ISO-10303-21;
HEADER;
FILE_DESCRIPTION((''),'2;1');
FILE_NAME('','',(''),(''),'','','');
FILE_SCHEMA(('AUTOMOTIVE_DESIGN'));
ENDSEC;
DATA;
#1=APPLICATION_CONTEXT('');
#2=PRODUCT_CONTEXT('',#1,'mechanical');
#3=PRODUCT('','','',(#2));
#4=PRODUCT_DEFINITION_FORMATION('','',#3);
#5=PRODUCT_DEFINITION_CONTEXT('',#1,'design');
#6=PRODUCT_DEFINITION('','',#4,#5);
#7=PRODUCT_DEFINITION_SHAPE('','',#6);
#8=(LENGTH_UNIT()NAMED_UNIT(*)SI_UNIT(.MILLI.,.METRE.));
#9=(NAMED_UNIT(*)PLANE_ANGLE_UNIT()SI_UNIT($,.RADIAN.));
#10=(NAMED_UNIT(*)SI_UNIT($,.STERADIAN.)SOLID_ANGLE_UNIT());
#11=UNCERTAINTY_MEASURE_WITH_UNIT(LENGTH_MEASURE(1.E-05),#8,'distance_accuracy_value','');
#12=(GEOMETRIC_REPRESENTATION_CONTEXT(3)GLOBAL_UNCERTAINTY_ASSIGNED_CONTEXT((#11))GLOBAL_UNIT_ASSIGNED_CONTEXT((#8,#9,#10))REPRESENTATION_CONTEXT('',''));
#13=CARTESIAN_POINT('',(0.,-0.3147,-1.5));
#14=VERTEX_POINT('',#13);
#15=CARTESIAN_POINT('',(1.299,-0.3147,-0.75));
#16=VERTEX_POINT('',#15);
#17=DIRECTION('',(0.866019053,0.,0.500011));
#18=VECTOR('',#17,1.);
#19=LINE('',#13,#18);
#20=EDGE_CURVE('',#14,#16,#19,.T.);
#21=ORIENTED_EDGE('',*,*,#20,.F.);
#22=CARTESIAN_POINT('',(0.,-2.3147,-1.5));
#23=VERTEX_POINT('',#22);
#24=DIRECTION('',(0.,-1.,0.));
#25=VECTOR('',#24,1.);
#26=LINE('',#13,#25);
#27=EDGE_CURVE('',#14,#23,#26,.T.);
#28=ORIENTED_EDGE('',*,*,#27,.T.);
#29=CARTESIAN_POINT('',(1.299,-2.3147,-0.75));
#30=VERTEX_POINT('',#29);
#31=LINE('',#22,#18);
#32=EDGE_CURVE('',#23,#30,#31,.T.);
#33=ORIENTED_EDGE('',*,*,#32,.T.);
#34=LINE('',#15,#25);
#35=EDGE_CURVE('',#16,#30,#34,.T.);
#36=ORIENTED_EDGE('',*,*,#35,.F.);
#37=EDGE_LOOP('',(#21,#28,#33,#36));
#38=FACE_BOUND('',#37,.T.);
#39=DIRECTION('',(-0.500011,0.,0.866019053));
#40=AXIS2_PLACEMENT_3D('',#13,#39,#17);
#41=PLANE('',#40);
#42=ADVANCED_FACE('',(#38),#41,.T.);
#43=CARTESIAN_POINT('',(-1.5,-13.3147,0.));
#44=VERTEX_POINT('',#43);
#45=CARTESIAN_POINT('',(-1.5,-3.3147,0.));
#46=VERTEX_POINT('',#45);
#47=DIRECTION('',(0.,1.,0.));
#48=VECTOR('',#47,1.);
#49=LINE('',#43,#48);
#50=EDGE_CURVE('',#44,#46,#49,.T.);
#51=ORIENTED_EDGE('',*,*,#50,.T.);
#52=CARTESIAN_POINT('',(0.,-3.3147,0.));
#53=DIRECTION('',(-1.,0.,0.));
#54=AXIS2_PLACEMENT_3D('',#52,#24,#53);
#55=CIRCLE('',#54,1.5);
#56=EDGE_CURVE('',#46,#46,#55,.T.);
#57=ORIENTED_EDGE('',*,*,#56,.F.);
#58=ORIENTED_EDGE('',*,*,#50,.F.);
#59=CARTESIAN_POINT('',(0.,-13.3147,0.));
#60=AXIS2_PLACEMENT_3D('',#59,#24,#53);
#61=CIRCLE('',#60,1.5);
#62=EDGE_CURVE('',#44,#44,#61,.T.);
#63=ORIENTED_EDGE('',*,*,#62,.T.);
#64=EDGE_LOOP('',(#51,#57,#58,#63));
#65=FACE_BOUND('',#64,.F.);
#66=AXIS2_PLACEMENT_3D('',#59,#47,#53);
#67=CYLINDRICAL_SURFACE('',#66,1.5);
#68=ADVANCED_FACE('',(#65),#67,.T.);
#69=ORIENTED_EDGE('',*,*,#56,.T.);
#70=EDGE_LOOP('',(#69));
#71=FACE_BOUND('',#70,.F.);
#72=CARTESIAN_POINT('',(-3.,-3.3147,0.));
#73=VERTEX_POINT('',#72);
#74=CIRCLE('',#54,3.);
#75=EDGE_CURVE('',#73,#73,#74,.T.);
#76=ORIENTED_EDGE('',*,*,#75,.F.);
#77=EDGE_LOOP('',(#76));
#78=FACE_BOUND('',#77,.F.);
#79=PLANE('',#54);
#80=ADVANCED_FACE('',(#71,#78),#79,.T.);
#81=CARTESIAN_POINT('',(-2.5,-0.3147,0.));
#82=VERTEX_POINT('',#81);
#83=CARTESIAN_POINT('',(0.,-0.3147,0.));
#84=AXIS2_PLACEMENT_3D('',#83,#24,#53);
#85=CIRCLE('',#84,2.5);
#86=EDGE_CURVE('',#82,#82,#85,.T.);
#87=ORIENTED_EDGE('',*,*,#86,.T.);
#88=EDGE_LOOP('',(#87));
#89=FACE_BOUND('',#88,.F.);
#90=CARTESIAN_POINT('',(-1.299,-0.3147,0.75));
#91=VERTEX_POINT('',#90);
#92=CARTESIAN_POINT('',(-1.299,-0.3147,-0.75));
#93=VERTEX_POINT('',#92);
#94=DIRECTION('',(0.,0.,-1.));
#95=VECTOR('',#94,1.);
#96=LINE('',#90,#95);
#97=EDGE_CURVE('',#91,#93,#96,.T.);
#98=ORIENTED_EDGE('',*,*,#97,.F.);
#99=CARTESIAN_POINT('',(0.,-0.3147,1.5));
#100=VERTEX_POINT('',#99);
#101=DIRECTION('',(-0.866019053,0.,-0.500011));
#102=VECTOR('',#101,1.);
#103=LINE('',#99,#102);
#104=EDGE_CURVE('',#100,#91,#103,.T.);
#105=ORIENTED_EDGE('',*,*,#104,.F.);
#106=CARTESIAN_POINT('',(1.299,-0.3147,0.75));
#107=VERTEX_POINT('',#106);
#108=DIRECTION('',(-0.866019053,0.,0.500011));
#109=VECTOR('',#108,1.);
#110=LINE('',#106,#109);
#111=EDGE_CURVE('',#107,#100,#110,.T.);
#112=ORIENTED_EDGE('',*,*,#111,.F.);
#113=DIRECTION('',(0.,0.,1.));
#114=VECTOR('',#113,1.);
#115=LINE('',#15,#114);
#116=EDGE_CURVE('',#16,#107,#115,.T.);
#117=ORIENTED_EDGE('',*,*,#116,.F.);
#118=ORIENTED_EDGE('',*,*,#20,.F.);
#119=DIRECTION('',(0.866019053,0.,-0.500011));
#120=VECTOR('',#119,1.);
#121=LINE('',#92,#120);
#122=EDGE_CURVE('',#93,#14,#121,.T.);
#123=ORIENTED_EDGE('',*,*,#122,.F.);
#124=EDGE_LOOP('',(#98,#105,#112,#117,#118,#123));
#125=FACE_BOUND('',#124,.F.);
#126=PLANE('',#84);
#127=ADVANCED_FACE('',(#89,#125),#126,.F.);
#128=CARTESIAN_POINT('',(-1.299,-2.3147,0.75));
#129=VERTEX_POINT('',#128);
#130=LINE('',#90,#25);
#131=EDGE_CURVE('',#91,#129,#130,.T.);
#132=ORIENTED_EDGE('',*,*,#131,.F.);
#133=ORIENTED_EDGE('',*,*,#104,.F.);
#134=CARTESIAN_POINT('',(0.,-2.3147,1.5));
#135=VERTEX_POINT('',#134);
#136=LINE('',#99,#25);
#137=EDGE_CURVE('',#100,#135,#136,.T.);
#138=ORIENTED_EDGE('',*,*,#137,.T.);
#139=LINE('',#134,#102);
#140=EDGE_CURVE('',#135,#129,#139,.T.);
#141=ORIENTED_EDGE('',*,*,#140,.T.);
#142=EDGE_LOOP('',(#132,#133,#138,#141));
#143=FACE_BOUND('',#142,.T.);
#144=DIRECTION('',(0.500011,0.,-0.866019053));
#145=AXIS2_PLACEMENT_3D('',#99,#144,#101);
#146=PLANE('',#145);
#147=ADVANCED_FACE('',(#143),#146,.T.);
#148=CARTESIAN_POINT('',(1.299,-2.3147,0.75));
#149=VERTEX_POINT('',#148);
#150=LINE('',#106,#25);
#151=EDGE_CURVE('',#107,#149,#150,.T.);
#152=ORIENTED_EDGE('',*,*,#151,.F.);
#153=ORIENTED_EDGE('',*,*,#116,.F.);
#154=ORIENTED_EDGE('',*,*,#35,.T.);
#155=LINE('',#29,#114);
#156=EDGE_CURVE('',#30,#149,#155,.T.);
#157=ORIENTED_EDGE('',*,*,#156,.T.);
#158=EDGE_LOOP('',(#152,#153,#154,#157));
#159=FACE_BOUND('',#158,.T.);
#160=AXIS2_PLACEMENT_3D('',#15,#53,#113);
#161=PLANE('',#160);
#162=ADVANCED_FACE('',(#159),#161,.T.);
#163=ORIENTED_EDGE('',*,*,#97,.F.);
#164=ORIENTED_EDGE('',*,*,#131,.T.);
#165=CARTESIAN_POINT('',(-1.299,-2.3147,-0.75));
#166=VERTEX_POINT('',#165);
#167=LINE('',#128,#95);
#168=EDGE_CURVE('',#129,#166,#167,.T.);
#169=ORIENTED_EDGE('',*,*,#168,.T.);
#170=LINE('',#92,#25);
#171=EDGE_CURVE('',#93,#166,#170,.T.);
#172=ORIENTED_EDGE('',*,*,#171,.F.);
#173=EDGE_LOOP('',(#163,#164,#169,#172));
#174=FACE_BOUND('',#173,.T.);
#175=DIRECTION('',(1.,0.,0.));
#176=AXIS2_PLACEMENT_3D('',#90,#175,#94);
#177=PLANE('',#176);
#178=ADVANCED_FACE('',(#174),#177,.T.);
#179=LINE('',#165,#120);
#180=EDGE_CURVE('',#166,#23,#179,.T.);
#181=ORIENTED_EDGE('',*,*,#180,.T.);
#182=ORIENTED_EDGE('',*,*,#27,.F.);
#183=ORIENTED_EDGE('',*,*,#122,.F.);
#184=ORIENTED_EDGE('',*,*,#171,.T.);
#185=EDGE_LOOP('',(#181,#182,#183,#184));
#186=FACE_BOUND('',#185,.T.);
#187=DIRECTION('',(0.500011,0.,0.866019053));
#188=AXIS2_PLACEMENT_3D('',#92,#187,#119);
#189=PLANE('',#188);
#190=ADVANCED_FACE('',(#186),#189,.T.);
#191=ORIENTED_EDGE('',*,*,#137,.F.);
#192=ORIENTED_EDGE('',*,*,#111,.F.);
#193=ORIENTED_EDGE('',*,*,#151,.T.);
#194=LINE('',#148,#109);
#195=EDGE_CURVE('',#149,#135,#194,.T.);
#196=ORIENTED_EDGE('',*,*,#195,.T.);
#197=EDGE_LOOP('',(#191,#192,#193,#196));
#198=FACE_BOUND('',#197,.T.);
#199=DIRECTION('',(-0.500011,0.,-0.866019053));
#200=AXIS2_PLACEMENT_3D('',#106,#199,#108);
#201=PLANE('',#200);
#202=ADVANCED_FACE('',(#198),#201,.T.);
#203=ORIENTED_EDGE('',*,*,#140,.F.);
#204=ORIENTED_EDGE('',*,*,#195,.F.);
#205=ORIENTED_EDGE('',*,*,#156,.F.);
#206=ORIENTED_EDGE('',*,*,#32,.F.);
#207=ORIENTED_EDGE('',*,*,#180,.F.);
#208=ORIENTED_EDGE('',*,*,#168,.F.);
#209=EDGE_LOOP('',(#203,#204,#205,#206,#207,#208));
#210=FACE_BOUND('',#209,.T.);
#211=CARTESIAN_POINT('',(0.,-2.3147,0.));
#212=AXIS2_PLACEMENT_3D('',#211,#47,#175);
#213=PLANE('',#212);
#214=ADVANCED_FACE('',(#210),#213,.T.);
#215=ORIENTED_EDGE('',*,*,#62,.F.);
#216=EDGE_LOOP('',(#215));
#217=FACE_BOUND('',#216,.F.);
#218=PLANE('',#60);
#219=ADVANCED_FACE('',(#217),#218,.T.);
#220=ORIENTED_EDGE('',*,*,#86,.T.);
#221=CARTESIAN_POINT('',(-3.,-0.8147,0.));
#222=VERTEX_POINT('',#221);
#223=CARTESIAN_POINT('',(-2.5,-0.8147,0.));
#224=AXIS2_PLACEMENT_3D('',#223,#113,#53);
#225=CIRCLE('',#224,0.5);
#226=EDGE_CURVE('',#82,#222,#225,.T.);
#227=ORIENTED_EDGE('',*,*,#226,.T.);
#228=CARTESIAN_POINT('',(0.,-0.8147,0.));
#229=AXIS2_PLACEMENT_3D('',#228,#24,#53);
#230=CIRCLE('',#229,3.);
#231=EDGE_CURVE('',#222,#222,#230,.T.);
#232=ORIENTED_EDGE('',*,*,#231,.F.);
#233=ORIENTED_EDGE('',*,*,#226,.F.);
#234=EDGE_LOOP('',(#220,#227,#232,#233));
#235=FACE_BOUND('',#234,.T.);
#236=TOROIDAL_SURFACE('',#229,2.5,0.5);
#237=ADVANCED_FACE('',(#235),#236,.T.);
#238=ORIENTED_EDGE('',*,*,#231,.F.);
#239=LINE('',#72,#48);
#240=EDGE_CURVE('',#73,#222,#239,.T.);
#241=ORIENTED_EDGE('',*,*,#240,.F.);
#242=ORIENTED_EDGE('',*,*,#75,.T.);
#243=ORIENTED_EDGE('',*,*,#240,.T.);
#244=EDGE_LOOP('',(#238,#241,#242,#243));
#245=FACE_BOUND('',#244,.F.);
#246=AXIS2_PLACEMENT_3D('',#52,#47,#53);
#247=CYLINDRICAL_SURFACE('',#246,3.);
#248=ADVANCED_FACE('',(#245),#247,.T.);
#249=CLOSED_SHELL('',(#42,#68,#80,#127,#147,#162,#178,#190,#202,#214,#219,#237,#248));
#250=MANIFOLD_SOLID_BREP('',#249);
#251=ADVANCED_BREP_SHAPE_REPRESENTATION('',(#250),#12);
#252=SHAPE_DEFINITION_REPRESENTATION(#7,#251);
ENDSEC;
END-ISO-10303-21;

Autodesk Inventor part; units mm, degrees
ref_plane "YZ Plane" through (0, 0, 0) normal (1, 0, 0) x (0, 1, 0)
ref_plane "XZ Plane" through (0, 0, 0) normal (0, 1, 0) x (-1, 0, 0)
ref_plane "XY Plane" through (0, 0, 0) normal (0, 0, 1) x (1, 0, 0)
sketch "スケッチ1" plane through (0, 0, 0) normal (0, 0, 1) x (1, 0, 0)
  line L0 (-3, -0.3147) -> (0, -0.3147)
  line L1 (0, -0.3147) -> (0, -3.3147)
  line L2 (0, -3.3147) -> (-3, -3.3147)
  line L3 (-3, -3.3147) -> (-3, -0.3147)
  line L4 (-1.5, -3.3147) -> (0, -3.3147)
  line L5 (0, -3.3147) -> (0, -13.3147)
  line L6 (0, -13.3147) -> (-1.5, -13.3147)
  line L7 (-1.5, -13.3147) -> (-1.5, -3.3147)
  point P0 (0, 0)
  dimension "d0" = 1.5
  dimension "d1" = 0
  dimension "d2" = 10
  dimension "d3" = 0
  dimension "d4" = 3
revolve "回転1" add sketch "スケッチ1" angle 360 about axis through (0, -3.3147, 0) along (0, -1, 0)
thread "ねじ1" size "M3x0.5" class "6g" standard "ANSI Metric M Profile" full length
sketch "スケッチ2" plane through (0, -0.3147, 0) normal (0, 1, 0) x (1, 0, 0)
  circle A0 centre (0, 0) radius 3 projected
  line L0 (0, 1.5) -> (1.299, 0.75)
  line L1 (1.299, 0.75) -> (1.299, -0.75)
  line L2 (1.299, -0.75) -> (0, -1.5)
  line L3 (0, -1.5) -> (-1.299, -0.75)
  line L4 (-1.299, -0.75) -> (-1.299, 0.75)
  line L5 (-1.299, 0.75) -> (0, 1.5)
  dimension "d8" = 1.5
extrude "押し出し1" cut sketch "スケッチ2" against normal blind 2 contours L0 L1 L2 L3 L4 L5
fillet "フィレット1" radius 0.5 1 edges at (3, -0.3147, 0)
properties part number "M3_10" material "アルミニウム 6061"
